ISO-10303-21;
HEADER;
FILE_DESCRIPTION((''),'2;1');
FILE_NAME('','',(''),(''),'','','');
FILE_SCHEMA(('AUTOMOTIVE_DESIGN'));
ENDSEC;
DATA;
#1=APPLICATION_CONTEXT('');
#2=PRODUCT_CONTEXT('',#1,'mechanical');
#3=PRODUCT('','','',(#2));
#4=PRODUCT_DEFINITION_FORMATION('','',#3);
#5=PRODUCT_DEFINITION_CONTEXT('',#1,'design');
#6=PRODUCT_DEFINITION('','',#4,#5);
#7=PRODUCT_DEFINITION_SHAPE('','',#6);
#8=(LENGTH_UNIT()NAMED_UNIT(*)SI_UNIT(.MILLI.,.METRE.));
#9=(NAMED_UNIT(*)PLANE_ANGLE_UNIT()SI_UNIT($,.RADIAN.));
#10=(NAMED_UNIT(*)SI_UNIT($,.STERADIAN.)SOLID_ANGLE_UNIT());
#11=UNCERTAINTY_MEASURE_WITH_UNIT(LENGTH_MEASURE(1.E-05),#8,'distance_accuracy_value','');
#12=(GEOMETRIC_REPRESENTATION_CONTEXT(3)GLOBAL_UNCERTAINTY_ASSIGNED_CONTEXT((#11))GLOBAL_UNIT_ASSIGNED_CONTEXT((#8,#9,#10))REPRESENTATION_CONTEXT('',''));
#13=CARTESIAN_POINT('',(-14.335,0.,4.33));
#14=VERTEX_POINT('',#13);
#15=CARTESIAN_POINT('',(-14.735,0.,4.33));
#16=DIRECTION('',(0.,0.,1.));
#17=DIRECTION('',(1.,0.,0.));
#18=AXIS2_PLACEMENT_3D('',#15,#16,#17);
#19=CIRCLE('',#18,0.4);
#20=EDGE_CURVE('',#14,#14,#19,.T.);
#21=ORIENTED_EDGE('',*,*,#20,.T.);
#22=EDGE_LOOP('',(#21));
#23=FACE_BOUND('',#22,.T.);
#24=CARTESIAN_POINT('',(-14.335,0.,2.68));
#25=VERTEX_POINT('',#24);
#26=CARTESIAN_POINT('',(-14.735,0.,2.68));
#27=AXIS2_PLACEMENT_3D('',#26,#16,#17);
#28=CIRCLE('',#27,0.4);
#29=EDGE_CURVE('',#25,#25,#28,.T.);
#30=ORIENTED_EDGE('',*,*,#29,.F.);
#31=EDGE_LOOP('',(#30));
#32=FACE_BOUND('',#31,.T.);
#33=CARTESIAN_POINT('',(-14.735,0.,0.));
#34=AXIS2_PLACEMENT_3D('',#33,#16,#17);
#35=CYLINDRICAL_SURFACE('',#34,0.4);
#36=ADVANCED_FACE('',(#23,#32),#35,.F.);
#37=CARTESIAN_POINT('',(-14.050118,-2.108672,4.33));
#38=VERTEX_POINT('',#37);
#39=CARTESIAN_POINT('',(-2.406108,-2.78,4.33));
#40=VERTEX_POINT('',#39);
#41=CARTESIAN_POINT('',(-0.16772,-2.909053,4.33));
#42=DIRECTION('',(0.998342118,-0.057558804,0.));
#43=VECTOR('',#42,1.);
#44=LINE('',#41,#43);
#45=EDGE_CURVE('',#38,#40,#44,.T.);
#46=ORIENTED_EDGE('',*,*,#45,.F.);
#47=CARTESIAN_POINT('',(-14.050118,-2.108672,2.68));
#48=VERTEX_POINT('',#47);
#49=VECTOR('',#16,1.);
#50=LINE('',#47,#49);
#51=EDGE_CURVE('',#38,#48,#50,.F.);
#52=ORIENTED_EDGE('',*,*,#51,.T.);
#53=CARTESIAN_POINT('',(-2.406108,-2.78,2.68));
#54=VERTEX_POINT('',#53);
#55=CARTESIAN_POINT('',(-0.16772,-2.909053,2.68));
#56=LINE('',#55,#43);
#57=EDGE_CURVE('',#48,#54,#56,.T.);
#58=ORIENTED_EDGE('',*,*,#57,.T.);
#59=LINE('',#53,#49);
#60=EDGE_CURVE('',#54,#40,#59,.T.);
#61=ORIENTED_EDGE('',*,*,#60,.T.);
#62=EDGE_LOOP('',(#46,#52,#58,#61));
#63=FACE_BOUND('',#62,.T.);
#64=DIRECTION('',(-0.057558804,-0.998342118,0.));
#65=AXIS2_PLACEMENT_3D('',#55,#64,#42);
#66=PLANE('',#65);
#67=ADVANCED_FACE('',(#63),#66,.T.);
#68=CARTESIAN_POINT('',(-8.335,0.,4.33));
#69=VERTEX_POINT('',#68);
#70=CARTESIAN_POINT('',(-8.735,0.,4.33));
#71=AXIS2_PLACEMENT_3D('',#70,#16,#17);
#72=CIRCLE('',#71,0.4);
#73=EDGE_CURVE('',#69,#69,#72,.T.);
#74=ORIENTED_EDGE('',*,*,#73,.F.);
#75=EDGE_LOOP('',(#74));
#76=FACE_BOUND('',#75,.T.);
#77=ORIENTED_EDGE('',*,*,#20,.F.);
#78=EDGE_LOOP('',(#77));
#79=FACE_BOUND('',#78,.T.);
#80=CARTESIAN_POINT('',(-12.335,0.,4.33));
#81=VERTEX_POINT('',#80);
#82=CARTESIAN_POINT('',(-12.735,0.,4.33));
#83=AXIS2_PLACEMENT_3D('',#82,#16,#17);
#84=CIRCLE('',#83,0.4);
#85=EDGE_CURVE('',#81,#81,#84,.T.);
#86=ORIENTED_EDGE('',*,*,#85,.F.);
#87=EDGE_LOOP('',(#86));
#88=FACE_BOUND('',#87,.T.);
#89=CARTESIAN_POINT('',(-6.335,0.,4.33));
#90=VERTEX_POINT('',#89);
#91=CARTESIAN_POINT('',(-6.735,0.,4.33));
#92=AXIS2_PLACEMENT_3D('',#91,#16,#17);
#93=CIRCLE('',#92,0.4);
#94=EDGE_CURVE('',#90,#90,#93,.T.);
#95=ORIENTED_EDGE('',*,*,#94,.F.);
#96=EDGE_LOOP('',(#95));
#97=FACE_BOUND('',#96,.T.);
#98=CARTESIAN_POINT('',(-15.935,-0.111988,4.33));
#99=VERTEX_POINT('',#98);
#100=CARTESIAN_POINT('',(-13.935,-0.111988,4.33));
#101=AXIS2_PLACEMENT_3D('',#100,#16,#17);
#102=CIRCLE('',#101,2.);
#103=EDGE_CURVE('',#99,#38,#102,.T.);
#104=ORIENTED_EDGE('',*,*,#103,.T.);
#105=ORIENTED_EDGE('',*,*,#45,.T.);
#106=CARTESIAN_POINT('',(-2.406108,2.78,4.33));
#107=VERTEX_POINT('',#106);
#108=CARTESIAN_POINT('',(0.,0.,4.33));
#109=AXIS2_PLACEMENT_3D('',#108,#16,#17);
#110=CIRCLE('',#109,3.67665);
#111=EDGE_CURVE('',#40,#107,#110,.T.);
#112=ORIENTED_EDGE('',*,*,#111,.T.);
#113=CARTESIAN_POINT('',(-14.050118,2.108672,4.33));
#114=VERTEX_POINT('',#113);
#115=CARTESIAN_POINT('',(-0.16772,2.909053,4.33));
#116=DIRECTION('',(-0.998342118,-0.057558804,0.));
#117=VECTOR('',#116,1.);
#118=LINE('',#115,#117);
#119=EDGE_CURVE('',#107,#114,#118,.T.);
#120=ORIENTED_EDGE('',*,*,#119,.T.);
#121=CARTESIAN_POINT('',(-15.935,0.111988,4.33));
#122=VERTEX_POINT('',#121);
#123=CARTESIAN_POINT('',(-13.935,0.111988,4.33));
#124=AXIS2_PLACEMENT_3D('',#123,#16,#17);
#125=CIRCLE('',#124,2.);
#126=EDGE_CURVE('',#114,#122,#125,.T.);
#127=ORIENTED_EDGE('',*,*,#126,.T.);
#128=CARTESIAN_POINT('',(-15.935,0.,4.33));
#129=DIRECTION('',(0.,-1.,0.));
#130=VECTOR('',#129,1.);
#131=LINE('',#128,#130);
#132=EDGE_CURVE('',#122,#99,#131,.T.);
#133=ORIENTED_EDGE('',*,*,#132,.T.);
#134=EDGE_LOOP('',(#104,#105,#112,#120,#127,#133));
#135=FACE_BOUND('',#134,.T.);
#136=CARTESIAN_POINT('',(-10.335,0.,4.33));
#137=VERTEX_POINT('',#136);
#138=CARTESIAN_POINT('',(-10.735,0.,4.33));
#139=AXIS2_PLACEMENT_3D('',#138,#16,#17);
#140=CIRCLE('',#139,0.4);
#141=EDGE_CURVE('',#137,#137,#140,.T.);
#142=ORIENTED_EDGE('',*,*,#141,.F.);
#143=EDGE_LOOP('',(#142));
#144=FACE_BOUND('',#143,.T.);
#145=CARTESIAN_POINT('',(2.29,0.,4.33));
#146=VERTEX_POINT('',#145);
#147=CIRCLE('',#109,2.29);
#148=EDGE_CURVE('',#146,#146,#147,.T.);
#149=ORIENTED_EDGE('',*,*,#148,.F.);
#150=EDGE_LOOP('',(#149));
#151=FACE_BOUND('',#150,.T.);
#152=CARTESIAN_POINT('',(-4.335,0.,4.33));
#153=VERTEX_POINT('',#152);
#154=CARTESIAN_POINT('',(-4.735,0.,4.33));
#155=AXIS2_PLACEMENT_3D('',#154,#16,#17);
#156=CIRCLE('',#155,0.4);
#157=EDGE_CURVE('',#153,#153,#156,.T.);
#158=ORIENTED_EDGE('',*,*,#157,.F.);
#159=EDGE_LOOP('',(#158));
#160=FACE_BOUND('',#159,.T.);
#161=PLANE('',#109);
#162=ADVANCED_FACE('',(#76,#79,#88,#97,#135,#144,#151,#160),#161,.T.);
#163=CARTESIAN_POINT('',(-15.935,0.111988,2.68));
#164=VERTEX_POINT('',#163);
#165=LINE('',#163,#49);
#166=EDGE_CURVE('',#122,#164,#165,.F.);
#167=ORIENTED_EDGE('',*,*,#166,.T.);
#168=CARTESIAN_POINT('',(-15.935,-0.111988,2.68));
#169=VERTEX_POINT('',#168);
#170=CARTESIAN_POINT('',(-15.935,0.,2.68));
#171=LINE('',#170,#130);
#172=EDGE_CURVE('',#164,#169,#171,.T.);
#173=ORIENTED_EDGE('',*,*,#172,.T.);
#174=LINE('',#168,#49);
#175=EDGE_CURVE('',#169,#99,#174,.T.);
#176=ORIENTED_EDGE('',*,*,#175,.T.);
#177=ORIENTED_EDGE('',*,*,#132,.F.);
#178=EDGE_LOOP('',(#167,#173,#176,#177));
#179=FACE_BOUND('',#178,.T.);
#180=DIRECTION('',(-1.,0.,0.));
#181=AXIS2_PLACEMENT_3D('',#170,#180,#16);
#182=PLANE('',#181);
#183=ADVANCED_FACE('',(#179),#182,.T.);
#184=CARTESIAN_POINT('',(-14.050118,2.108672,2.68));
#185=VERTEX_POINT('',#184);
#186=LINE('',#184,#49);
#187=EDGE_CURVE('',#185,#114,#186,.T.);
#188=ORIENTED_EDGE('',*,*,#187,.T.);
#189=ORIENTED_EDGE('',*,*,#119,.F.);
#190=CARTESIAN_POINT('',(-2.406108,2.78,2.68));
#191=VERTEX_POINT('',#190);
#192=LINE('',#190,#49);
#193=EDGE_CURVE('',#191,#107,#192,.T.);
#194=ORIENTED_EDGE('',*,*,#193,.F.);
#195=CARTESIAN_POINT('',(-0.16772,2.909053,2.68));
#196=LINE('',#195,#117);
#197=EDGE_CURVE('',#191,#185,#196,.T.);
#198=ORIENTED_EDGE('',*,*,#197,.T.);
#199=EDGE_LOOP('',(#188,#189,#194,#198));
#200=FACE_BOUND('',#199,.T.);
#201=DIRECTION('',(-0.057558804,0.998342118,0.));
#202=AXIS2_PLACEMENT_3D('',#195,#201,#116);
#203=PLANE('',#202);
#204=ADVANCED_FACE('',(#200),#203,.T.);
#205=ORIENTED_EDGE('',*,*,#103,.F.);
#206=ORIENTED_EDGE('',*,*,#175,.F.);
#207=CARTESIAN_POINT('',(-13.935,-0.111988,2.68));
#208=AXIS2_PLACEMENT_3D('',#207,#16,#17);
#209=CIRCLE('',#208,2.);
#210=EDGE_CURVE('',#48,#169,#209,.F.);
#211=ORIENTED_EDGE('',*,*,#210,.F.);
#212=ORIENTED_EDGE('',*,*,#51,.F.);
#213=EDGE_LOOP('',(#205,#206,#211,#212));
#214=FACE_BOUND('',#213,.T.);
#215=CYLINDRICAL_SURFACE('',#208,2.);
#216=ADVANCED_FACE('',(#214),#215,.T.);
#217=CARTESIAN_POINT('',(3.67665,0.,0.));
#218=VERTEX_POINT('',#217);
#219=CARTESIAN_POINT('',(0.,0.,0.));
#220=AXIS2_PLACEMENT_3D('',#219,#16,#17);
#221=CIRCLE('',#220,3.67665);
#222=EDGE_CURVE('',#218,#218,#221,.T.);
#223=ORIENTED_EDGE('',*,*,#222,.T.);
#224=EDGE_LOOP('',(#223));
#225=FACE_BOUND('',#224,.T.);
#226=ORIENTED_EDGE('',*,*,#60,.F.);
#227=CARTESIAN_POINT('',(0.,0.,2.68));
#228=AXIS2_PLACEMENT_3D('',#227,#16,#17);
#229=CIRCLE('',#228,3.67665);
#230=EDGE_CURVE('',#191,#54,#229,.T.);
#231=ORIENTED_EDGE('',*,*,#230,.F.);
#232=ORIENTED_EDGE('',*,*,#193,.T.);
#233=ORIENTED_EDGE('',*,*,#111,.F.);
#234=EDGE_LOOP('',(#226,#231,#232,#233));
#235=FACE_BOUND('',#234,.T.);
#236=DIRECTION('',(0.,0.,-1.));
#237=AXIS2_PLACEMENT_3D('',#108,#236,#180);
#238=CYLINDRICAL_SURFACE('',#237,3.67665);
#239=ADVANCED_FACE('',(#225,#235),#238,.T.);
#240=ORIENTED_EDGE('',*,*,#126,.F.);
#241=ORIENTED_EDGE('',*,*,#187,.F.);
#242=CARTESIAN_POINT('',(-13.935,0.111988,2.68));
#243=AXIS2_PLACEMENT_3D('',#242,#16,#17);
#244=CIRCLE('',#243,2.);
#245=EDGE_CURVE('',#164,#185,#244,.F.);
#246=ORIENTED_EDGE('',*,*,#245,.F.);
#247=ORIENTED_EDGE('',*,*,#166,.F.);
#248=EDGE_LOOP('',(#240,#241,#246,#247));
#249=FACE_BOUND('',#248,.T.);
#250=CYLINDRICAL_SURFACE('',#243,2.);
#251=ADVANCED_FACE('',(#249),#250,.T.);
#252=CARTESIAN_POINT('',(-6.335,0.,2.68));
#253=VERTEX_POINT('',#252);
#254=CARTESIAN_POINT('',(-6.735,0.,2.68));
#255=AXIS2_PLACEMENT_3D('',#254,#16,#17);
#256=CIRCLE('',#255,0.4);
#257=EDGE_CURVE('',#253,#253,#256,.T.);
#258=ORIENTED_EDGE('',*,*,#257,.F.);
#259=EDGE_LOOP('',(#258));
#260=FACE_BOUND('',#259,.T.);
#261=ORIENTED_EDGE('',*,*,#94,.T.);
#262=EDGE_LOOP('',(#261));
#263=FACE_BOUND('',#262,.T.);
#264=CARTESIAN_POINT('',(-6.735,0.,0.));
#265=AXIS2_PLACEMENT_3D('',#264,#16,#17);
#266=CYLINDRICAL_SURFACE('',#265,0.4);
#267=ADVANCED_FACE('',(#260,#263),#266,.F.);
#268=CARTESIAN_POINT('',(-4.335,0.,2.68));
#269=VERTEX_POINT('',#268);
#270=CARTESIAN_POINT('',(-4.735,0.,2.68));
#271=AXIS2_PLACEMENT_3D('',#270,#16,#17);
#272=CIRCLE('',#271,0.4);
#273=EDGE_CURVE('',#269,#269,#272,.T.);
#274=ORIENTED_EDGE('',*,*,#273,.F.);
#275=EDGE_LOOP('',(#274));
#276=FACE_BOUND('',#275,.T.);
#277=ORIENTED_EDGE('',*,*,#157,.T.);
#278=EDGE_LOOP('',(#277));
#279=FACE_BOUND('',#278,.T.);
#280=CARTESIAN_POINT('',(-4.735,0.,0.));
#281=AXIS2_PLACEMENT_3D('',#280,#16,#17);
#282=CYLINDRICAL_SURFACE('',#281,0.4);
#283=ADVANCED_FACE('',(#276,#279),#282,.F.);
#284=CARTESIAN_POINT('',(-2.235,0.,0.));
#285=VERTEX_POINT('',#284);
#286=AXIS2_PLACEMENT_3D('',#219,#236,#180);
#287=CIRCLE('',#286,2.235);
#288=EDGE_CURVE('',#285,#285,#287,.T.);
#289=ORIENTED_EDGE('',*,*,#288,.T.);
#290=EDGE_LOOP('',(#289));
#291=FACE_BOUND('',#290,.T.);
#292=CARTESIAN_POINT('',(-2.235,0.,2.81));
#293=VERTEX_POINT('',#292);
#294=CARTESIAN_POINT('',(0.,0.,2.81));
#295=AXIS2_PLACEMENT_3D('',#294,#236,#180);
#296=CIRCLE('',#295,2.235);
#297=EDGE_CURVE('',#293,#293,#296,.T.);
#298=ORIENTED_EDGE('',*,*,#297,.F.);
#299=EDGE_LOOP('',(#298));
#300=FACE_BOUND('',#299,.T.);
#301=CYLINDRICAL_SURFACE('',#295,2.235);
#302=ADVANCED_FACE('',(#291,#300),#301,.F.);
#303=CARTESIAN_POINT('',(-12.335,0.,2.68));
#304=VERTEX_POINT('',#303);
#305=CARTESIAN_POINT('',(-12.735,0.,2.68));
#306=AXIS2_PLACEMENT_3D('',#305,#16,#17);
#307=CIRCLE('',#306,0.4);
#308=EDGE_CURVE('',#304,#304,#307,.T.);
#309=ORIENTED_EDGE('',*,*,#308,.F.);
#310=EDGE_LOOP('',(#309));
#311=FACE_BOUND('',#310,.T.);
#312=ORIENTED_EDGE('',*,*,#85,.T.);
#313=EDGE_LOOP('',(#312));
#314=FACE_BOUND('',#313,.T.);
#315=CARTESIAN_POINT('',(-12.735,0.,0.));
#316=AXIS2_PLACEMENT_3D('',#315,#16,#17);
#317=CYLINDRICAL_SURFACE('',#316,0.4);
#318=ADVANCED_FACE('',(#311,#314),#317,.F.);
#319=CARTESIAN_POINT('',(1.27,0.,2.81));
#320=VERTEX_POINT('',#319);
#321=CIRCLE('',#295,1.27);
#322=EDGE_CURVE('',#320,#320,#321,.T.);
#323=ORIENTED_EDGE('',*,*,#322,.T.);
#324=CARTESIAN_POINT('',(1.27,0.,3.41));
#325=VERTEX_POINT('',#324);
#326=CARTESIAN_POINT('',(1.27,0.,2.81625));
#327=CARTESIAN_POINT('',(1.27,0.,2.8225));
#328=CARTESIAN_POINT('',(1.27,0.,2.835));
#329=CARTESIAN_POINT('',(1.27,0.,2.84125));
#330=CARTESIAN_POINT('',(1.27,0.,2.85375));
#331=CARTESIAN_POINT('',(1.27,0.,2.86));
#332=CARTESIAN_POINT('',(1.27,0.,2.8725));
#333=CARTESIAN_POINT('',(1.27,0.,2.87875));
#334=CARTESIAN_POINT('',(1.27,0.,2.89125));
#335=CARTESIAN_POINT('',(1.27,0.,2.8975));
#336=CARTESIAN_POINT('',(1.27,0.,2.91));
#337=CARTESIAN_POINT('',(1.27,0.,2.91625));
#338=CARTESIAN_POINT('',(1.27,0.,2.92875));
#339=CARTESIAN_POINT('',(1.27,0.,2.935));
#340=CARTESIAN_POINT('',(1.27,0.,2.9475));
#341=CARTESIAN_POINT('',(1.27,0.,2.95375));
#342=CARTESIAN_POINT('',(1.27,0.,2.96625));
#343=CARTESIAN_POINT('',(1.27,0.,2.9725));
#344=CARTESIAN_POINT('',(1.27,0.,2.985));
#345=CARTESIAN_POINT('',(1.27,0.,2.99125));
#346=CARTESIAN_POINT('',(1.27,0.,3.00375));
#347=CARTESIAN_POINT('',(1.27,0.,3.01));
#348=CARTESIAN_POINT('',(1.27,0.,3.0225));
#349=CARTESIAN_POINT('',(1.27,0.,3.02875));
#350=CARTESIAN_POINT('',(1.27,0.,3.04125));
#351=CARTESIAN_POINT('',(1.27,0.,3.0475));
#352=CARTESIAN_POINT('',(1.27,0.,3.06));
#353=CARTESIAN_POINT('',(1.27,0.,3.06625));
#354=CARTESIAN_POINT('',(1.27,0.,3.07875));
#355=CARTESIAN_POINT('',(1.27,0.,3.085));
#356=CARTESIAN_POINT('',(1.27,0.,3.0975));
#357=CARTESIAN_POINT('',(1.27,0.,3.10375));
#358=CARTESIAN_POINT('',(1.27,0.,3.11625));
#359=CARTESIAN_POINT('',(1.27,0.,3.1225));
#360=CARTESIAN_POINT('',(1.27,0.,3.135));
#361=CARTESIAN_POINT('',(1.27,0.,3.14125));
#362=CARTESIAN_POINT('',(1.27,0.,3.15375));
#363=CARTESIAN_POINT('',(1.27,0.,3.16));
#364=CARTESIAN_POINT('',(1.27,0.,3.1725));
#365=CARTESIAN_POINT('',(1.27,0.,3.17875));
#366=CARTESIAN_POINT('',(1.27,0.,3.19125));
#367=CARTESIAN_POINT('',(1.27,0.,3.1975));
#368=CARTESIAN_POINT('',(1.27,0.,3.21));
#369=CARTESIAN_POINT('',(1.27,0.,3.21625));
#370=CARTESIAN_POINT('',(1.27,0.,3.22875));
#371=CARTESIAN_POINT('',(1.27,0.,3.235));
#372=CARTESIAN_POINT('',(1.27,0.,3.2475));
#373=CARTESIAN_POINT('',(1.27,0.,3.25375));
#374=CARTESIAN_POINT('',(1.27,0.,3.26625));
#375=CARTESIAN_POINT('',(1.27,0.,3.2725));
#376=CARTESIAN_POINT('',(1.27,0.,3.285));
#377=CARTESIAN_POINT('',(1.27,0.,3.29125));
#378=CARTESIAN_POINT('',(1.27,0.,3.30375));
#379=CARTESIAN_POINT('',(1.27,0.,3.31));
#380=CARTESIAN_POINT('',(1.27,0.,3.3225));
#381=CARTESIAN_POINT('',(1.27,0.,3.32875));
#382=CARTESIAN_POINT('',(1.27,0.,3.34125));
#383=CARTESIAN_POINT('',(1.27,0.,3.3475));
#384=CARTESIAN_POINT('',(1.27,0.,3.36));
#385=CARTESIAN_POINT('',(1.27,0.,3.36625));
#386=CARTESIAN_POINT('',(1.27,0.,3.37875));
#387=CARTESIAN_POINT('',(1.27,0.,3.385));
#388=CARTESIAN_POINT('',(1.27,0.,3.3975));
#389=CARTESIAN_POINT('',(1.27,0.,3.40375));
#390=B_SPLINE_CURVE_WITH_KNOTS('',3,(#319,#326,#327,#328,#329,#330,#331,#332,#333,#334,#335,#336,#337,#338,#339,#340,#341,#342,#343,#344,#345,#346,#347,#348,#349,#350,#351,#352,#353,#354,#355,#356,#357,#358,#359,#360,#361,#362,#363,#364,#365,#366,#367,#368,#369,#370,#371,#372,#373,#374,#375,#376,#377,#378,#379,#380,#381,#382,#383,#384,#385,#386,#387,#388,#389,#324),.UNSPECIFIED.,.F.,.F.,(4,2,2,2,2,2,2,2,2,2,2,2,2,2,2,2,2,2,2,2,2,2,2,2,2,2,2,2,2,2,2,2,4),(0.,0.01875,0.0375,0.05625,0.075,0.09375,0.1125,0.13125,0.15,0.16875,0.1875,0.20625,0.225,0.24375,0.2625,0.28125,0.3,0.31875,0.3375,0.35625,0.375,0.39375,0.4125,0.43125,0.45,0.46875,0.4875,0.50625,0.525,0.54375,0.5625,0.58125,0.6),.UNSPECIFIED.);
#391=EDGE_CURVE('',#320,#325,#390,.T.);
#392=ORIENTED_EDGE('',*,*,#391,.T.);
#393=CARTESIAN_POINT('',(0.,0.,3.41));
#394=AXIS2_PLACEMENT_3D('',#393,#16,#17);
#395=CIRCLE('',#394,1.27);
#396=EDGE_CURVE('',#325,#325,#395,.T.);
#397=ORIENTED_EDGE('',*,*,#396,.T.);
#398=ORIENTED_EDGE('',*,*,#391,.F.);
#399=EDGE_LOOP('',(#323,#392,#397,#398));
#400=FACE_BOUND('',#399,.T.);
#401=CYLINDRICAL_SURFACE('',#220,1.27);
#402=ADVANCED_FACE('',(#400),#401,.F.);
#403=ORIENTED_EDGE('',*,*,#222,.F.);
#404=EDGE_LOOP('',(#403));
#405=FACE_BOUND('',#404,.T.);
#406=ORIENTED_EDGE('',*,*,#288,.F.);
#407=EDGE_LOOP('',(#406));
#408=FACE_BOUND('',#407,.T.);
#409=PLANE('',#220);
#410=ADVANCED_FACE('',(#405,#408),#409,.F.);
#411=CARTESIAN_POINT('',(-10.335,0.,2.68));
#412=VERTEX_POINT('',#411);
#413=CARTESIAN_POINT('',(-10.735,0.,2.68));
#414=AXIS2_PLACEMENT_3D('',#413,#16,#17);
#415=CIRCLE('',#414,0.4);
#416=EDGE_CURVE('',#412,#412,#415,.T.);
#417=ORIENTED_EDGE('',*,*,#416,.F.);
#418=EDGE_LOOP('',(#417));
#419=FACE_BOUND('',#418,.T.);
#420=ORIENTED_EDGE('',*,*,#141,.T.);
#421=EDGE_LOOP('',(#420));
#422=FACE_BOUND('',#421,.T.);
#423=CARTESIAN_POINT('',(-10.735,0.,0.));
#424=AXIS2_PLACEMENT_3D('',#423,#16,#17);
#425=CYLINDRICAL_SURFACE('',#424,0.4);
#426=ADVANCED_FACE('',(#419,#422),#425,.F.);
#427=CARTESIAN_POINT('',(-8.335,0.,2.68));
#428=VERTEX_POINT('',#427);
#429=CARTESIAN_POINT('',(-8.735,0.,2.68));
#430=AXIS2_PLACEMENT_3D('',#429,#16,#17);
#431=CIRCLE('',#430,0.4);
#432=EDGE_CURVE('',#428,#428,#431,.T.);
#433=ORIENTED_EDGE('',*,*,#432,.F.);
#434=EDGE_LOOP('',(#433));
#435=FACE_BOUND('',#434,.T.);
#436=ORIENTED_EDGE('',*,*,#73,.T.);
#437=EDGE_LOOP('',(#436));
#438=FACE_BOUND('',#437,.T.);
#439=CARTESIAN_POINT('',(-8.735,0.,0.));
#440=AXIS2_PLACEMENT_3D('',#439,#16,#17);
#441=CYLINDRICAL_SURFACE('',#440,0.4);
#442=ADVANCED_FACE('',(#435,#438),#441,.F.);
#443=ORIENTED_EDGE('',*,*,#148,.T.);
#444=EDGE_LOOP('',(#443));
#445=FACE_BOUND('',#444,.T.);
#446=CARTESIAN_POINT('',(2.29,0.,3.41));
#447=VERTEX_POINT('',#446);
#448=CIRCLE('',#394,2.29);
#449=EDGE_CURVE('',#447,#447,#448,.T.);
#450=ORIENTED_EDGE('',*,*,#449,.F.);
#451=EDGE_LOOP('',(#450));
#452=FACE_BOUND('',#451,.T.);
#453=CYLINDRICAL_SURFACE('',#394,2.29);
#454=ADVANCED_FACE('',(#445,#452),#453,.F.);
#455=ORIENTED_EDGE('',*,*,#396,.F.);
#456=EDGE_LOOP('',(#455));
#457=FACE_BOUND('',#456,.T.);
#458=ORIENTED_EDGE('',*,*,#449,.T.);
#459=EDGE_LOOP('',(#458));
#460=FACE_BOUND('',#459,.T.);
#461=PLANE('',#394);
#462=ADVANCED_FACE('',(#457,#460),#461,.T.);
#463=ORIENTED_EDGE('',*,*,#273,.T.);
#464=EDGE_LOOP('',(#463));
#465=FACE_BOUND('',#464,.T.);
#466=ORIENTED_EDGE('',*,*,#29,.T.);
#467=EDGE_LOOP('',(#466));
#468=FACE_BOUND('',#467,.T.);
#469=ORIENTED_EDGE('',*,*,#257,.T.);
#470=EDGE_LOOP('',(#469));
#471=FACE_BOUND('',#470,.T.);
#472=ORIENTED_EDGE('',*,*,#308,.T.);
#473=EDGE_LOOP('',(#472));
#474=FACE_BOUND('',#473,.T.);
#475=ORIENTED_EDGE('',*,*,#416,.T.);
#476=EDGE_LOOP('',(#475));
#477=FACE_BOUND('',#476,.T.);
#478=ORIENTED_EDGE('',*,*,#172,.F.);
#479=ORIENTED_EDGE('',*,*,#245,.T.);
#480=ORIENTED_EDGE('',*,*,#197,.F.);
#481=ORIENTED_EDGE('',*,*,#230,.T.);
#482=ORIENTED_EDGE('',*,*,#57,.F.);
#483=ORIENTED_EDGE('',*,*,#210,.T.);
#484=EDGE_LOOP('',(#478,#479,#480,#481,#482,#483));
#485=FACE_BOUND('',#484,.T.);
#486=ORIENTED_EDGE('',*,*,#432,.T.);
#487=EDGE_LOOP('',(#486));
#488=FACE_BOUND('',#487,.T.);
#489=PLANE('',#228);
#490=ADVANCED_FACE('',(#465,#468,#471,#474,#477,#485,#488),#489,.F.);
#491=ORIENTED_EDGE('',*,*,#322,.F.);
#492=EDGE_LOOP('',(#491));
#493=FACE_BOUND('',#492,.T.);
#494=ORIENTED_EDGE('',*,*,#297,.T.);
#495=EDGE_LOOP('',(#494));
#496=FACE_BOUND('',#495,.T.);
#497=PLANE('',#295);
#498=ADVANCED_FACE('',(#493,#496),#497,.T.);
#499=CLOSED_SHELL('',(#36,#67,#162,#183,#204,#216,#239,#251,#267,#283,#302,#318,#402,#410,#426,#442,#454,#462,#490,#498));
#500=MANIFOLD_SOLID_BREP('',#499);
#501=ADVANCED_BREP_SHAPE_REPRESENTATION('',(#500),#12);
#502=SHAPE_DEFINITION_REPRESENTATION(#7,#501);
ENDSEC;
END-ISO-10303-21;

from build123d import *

# Parameters (mm, degrees)
SKETCH1_R           = 3.67665
BOSS_EXTRUDE1_DEPTH = 4.33
SKETCH2_R           = 2.235
CUT_EXTRUDE1_DEPTH  = 2.81
SKETCH3_R           = 2.29
CUT_EXTRUDE2_DEPTH  = 0.92
SKETCH4_R           = 1.27
CUT_EXTRUDE3_DEPTH  = 7.218006951
BOSS_EXTRUDE2_START = -1.65
BOSS_EXTRUDE2_DEPTH = 1.65
FILLET1_R           = 2
SKETCH6_R           = 0.4
CUT_EXTRUDE4_DEPTH  = 17.917177076


with BuildPart() as part:
    # Sketch1 → Boss-Extrude1 (new body)
    with BuildSketch(Plane.XY):
        Circle(SKETCH1_R)
    extrude(amount=BOSS_EXTRUDE1_DEPTH)

    # Sketch2 → Cut-Extrude1 (cut)
    with BuildSketch(Plane(origin=(0, 0, 0), x_dir=(-1, 0, 0), z_dir=(0, 0, -1))):
        Circle(SKETCH2_R)
    extrude(amount=-CUT_EXTRUDE1_DEPTH, mode=Mode.SUBTRACT)

    # Sketch3 → Cut-Extrude2 (cut)
    with BuildSketch(Plane.XY.offset(4.33)):
        Circle(SKETCH3_R)
    extrude(amount=-CUT_EXTRUDE2_DEPTH, mode=Mode.SUBTRACT)

    # Sketch4 → Cut-Extrude3 (cut, through all)
    with BuildSketch(Plane.XY.offset(3.41)):
        Circle(SKETCH4_R)
    extrude(amount=-CUT_EXTRUDE3_DEPTH, mode=Mode.SUBTRACT)

    # Sketch5 → Boss-Extrude2 (add)
    with BuildSketch(Plane.XY.offset(4.33).offset(BOSS_EXTRUDE2_START)):
        with BuildLine():
            ThreePointArc((-2.406107899, -2.78), (-3.67665, 0), (-2.406107899, 2.78))
            Line((-2.406107899, 2.78), (-15.935, 2))
            Line((-15.935, 2), (-15.935, -2))
            Line((-15.935, -2), (-2.406107899, -2.78))
        make_face()
    extrude(amount=BOSS_EXTRUDE2_DEPTH)

    # Fillet1
    fillet1_edges = [part.edges().sort_by_distance(p)[0] for p in [
        (-15.935, -2, 3.505),
        (-15.935, 2, 3.505),
    ]]
    fillet(fillet1_edges, radius=FILLET1_R)

    # Sketch6 → Cut-Extrude4 (cut, through all)
    with BuildSketch(Plane.XY.offset(4.33)):
        with Locations((-14.735, 0)):
            Circle(SKETCH6_R)
        with Locations((-12.735, 0)):
            Circle(SKETCH6_R)
        with Locations((-10.735, 0)):
            Circle(SKETCH6_R)
        with Locations((-8.735, 0)):
            Circle(SKETCH6_R)
        with Locations((-6.735, 0)):
            Circle(SKETCH6_R)
        with Locations((-4.735, 0)):
            Circle(SKETCH6_R)
    extrude(amount=-CUT_EXTRUDE4_DEPTH, mode=Mode.SUBTRACT)


solid = part.part
